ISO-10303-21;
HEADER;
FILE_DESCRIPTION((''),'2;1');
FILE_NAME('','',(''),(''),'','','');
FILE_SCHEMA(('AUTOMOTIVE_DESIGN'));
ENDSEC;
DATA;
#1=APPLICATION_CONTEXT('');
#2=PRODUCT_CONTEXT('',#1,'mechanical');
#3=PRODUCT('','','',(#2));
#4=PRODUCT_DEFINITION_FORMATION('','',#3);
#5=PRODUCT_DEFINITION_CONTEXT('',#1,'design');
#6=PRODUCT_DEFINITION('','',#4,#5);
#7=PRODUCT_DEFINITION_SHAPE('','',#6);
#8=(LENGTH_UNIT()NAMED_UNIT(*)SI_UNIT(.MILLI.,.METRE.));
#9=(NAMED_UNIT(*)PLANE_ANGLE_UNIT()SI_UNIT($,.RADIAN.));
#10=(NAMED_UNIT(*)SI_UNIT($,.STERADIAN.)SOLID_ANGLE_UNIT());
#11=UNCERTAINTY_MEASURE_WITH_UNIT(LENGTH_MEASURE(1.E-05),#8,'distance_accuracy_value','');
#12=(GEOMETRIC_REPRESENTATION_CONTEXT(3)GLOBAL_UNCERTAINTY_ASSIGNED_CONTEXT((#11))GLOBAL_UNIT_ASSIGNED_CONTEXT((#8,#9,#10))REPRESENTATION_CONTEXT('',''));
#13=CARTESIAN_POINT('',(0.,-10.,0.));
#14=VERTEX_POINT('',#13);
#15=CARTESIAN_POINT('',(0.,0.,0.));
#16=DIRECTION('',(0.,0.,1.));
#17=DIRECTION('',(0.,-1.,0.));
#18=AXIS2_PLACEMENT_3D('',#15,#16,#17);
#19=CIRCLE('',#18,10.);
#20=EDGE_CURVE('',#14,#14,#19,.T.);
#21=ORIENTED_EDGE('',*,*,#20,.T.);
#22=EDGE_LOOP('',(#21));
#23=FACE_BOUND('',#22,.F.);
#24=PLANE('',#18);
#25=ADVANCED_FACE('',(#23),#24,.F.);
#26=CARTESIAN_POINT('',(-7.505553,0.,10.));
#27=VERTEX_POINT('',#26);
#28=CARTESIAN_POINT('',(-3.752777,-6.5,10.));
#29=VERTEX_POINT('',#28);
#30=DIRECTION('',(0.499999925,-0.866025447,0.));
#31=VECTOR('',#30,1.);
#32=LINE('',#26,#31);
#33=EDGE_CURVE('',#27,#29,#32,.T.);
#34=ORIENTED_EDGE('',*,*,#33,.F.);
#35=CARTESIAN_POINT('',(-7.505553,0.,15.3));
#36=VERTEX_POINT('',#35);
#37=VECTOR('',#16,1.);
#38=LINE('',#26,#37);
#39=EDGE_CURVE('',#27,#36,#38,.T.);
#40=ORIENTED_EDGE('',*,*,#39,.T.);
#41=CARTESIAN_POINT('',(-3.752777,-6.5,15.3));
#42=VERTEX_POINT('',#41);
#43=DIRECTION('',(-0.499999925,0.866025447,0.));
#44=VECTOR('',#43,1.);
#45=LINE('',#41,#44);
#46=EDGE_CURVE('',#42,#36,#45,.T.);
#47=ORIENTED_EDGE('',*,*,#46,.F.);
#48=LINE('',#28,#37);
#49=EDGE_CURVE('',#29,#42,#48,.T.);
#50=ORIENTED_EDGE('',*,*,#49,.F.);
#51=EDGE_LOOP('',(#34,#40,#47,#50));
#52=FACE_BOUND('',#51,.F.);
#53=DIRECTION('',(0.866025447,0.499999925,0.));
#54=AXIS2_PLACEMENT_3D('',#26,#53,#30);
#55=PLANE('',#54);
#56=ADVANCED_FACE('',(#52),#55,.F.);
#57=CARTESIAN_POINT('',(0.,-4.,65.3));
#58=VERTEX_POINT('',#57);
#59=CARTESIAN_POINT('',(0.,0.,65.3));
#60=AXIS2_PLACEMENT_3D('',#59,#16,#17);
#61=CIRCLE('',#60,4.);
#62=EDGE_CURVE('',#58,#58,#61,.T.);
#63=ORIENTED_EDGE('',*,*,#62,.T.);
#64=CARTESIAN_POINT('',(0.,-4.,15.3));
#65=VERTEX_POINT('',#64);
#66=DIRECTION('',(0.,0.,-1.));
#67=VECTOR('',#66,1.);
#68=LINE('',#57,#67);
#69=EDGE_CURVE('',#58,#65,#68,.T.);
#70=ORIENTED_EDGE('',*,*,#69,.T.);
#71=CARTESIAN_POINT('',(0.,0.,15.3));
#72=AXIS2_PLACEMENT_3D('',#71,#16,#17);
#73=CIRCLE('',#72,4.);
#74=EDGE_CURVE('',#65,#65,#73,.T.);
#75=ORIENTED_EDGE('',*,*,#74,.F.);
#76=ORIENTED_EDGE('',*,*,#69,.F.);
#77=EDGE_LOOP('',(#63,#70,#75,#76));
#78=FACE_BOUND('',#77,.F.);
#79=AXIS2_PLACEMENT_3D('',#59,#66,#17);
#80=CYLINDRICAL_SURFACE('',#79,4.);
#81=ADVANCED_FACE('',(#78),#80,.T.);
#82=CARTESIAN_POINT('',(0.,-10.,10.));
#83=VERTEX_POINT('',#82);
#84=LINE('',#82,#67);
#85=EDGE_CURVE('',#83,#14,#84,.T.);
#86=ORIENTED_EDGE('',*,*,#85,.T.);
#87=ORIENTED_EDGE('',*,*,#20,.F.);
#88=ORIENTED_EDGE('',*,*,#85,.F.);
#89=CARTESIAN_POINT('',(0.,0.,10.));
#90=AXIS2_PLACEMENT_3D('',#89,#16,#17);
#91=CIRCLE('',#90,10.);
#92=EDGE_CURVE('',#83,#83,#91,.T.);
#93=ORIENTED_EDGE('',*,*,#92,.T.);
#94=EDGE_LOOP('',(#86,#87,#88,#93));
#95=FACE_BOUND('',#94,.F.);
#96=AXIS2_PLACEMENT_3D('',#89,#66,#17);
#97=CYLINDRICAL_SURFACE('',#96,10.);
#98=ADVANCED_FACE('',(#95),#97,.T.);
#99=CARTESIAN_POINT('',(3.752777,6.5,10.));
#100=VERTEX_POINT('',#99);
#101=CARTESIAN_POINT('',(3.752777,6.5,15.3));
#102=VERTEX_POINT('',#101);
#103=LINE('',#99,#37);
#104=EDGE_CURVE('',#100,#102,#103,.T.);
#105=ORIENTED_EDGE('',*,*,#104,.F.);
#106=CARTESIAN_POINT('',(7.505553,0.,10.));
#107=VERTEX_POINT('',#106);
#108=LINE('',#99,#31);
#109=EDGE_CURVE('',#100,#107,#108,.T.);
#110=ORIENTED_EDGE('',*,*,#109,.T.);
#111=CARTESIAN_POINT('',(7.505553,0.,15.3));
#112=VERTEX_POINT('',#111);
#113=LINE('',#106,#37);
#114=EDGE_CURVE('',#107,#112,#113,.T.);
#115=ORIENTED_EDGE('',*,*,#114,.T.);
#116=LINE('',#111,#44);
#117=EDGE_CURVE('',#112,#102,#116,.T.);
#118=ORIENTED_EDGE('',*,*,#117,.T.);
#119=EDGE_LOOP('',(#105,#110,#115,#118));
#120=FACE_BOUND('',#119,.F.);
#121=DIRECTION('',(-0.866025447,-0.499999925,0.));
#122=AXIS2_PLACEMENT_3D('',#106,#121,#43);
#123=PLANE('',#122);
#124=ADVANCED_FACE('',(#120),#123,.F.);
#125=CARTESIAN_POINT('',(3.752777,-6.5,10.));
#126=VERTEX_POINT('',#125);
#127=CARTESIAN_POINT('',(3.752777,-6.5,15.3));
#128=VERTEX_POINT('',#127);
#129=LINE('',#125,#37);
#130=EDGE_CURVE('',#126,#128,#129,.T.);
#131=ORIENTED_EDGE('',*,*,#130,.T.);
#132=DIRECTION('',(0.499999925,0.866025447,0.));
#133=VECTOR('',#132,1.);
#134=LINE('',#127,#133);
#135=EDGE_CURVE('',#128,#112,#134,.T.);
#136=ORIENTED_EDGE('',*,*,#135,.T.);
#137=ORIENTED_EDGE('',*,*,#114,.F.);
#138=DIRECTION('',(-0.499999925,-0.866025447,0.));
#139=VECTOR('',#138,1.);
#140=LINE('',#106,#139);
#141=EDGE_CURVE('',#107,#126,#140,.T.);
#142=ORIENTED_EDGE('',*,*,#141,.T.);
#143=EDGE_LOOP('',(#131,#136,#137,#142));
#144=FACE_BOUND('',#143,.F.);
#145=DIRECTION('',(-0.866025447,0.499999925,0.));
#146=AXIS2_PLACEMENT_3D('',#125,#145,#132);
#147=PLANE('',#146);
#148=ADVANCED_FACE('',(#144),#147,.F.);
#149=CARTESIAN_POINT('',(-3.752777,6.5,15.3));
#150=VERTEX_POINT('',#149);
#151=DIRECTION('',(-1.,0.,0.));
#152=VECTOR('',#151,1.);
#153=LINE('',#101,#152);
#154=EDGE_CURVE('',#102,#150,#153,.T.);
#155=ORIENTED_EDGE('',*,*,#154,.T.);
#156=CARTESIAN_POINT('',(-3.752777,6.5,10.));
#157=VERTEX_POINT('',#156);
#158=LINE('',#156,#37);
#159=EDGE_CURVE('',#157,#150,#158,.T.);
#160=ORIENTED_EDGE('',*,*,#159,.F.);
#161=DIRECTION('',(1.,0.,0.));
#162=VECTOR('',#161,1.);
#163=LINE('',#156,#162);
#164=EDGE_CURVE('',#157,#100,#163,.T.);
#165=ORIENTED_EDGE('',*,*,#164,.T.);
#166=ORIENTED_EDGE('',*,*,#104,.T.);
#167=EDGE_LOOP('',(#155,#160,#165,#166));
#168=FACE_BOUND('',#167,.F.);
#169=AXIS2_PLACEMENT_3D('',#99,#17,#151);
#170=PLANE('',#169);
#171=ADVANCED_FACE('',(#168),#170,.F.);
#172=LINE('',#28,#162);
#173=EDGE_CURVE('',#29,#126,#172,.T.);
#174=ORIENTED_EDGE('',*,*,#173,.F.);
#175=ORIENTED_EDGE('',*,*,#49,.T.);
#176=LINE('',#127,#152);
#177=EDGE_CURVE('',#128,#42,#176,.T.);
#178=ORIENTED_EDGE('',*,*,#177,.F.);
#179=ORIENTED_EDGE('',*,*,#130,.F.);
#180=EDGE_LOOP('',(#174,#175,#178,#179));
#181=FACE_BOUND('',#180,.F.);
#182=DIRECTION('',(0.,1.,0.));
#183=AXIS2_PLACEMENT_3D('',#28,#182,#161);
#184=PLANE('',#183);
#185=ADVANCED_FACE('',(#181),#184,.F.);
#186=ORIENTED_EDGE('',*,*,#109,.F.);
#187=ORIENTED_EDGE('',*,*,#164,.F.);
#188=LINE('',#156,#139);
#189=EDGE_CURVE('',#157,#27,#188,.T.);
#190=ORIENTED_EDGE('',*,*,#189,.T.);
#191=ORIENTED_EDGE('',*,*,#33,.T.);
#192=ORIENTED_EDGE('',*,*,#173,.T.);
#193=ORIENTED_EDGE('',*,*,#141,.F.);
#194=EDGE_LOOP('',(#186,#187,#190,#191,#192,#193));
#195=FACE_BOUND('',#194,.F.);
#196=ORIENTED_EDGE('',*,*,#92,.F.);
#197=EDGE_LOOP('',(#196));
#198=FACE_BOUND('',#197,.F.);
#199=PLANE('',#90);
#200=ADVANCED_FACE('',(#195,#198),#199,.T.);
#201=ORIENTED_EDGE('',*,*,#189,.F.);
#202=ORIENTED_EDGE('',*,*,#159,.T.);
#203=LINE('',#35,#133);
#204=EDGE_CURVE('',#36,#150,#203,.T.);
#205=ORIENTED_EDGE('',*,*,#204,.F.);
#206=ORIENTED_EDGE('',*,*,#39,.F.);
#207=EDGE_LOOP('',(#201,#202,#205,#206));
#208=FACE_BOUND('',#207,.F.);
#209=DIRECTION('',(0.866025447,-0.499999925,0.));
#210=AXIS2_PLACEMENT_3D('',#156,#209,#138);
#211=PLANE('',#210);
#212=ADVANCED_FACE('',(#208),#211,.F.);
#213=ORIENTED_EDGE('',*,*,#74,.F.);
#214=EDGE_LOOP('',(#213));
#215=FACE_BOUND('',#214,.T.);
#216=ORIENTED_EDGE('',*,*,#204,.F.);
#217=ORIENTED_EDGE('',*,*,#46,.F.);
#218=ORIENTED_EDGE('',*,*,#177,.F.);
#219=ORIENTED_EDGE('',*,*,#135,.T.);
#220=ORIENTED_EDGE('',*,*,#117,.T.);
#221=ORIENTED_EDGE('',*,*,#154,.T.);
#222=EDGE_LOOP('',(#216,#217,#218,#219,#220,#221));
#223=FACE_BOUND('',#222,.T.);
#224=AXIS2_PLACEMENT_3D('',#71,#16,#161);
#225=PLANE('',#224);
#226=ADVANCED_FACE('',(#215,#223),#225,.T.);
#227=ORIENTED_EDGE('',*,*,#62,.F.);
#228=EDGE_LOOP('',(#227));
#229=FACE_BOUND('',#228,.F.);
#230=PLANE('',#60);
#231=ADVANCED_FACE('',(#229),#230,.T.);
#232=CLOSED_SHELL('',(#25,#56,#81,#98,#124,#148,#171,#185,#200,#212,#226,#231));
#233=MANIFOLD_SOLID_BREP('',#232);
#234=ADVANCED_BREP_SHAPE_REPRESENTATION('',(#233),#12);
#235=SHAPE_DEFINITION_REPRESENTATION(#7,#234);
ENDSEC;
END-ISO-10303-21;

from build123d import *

# Parameters (mm, degrees)
F3_DEPTH = 5.3


with BuildPart() as f1:
    # F0 (on Right) → F1 (revolve)
    with BuildSketch(Plane.YZ):
        Polygon((-10, 0), (0, 0), (0, 65.3), (-4, 65.3), (-4, 15.3), (-6.5, 15.3), (-6.5, 10), (-10, 10), align=None)
    revolve(axis=Axis((0, 0, 64.602787), (0, 0, 1)))

    # F2 (on face) → F3 (join, through all)
    with BuildSketch(Plane.XY.offset(10)):
        Polygon((-7.505553, 0), (-3.752777, -6.5), (3.752777, -6.5), (7.505553, 0), (3.752777, 6.5), (-3.752777, 6.5), align=None)
    extrude(amount=F3_DEPTH)


solid = f1.part
